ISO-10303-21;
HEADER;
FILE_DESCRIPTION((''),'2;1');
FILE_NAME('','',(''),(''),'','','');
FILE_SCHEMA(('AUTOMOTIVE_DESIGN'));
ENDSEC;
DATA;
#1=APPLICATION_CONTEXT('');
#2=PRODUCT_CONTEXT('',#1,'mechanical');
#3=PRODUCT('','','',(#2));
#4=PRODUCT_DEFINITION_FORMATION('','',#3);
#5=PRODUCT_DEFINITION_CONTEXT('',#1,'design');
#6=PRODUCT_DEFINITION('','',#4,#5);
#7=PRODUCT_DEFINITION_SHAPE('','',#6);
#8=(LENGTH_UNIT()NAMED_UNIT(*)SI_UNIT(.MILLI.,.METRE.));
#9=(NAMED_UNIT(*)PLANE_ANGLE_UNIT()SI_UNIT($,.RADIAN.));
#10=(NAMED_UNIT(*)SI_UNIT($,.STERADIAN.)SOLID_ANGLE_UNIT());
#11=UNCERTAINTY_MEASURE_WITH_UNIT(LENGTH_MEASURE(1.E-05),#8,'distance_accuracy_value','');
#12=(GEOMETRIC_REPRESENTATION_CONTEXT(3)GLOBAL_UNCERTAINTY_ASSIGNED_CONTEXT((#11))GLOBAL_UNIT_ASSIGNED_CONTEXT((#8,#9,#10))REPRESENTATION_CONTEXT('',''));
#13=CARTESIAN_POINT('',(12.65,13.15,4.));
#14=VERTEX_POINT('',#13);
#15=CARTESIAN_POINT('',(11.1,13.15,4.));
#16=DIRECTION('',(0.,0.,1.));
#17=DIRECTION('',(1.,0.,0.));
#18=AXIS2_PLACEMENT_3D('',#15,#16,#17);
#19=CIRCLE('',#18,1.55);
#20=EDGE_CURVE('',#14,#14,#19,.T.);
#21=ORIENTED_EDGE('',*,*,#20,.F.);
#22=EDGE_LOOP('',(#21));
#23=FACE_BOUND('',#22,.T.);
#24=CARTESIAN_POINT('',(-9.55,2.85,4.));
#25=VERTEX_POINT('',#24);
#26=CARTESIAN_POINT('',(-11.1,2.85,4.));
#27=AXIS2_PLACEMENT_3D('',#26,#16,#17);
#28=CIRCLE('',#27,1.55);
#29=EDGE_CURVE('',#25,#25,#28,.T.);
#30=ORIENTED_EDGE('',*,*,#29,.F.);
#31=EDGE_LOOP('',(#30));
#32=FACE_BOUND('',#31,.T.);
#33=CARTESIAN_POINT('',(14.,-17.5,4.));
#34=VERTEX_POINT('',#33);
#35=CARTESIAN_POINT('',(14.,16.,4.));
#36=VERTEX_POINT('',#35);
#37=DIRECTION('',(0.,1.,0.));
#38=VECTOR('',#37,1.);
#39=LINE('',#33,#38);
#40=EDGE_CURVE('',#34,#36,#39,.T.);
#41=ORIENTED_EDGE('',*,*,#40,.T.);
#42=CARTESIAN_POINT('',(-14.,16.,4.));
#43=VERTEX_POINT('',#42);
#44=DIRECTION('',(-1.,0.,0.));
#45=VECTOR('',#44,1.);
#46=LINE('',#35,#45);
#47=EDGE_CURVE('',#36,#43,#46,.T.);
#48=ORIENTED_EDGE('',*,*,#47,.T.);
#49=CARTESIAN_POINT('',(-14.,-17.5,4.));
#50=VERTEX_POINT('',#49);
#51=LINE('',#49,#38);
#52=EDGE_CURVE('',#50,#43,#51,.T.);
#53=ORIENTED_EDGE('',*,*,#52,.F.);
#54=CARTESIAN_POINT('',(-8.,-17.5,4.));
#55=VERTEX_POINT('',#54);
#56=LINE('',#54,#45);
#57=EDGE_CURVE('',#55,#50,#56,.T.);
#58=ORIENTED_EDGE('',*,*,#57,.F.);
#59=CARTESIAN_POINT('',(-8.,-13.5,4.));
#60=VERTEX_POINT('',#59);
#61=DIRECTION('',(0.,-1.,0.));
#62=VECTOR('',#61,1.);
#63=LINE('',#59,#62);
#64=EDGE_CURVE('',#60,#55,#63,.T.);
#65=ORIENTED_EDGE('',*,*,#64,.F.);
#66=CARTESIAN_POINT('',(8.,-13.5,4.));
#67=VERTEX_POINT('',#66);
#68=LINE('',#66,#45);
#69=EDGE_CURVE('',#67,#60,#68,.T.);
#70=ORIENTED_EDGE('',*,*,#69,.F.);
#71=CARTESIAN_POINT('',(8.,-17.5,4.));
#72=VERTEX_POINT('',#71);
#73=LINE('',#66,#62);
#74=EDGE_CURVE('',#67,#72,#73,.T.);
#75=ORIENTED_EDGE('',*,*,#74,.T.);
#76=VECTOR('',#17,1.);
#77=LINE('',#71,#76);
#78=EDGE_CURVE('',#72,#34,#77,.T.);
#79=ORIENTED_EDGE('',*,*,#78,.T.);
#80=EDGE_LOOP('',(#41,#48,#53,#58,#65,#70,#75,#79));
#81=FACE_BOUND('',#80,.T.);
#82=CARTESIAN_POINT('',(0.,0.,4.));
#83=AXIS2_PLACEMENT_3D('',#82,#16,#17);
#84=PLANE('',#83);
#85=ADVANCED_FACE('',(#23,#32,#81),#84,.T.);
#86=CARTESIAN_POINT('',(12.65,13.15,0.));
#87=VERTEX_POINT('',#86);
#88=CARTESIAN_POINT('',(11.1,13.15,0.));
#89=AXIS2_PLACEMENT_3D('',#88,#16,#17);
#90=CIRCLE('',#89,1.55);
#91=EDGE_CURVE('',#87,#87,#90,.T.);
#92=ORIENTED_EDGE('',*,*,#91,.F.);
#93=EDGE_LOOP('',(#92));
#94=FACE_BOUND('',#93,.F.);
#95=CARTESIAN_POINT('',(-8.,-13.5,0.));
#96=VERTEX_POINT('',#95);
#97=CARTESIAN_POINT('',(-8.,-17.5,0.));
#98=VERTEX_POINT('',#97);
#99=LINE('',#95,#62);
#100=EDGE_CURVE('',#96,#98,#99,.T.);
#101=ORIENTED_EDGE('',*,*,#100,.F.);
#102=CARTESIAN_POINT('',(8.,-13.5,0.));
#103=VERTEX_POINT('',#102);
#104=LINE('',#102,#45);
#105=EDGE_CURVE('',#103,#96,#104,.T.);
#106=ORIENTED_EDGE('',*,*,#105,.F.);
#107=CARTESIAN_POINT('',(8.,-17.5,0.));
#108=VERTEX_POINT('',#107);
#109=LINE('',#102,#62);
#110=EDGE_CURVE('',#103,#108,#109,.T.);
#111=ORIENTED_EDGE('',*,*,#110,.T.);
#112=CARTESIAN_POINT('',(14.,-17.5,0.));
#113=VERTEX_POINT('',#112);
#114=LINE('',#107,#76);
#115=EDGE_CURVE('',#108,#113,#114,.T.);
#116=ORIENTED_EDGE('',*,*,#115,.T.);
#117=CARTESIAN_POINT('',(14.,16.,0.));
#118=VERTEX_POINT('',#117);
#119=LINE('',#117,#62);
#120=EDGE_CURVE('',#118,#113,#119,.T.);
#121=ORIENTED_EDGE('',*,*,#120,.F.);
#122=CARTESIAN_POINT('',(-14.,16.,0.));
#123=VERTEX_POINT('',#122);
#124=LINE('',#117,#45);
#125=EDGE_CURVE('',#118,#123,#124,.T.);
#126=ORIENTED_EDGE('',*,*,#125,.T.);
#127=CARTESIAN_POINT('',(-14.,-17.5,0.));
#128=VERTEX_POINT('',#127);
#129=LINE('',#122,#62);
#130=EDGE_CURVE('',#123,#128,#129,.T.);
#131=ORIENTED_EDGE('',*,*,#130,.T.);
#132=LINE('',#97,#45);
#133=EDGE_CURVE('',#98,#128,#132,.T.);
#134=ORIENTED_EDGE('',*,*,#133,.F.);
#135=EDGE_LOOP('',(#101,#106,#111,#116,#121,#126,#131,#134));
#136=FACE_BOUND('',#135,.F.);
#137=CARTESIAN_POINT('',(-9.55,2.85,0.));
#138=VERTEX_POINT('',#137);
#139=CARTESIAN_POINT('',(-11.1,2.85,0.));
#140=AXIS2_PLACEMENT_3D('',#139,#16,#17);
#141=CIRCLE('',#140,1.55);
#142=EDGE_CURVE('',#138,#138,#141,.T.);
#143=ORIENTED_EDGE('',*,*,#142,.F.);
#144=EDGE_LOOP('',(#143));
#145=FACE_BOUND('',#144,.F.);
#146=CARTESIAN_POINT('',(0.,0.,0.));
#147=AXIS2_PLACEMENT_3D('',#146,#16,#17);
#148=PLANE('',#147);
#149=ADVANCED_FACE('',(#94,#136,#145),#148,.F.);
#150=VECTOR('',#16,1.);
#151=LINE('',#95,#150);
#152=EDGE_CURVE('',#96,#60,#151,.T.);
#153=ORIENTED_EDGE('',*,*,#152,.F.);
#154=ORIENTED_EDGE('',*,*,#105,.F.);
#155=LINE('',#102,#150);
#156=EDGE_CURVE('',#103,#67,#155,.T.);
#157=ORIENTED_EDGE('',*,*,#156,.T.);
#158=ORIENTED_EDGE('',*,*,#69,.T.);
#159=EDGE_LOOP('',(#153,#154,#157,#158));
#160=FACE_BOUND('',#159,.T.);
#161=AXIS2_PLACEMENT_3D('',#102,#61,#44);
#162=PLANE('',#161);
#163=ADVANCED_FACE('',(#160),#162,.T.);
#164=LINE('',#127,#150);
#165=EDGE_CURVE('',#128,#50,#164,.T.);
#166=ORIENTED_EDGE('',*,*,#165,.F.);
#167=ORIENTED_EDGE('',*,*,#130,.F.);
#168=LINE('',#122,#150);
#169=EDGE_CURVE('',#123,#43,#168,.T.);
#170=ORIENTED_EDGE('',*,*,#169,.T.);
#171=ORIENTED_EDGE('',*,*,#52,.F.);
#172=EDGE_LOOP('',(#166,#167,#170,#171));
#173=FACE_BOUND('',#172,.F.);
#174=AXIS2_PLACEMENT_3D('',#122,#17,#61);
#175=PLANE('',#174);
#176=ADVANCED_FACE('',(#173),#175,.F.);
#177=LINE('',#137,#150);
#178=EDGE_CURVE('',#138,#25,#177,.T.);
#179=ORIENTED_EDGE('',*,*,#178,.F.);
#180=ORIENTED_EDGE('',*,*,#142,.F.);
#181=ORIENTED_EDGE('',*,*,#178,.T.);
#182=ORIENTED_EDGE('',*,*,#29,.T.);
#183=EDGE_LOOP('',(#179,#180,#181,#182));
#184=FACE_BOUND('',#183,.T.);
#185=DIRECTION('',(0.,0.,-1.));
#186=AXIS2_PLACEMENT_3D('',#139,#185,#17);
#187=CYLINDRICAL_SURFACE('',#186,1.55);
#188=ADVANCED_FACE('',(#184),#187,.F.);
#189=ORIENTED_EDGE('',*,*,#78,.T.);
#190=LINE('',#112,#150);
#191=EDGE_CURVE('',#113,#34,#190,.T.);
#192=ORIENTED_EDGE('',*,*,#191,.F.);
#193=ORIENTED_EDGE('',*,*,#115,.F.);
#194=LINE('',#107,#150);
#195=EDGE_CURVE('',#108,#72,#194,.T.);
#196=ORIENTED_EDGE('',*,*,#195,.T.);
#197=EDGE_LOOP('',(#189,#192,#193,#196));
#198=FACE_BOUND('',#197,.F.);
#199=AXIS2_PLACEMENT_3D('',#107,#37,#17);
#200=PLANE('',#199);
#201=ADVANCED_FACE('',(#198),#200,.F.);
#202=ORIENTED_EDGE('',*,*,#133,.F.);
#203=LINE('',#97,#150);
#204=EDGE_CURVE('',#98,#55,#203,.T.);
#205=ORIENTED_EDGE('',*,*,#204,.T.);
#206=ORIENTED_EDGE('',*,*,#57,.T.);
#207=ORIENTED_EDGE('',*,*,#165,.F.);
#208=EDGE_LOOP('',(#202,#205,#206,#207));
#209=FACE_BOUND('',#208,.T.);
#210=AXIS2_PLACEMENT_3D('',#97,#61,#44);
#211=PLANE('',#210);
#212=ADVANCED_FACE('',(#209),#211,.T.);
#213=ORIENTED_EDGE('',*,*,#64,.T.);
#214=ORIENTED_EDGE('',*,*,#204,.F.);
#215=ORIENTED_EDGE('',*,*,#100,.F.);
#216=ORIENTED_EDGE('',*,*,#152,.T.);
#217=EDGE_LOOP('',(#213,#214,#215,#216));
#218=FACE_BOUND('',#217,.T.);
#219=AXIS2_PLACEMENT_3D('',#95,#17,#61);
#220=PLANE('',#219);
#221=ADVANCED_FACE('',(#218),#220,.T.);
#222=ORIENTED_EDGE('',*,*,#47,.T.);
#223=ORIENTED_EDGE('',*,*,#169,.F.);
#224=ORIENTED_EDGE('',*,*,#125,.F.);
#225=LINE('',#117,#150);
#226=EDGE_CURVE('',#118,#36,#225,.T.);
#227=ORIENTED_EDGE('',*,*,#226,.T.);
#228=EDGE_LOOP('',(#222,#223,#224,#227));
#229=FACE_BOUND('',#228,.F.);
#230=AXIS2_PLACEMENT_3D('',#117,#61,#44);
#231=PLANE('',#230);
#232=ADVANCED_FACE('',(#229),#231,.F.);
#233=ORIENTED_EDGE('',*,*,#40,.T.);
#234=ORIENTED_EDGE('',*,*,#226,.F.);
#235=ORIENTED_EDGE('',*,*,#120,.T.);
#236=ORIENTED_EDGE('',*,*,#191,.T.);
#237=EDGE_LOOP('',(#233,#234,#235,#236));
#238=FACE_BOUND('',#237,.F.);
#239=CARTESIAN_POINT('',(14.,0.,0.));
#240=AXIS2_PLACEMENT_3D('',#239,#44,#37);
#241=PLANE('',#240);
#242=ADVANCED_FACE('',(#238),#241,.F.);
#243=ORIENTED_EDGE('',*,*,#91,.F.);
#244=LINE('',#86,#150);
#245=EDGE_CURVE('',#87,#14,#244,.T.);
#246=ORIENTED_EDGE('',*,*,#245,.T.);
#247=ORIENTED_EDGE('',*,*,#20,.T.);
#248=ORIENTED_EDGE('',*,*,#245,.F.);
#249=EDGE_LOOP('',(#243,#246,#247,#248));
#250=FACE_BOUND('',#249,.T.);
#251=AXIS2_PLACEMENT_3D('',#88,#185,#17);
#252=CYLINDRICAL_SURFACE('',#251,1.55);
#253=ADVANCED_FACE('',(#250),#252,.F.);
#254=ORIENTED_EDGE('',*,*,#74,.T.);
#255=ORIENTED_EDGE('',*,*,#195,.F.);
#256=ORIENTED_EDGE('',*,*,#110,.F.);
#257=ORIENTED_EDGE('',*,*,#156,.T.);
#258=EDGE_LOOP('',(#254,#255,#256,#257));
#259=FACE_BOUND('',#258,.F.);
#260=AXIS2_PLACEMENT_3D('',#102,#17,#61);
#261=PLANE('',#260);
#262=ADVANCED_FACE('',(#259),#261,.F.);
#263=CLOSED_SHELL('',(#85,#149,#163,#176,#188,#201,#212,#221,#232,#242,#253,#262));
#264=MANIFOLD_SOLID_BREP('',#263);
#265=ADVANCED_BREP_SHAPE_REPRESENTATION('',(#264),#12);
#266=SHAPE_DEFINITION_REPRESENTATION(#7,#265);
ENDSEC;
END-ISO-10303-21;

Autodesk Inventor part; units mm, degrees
ref_plane "YZ Plane" through (0, 0, 0) normal (1, 0, 0) x (0, 1, 0)
ref_plane "XZ Plane" through (0, 0, 0) normal (0, 1, 0) x (-1, 0, 0)
ref_plane "XY Plane" through (0, 0, 0) normal (0, 0, 1) x (1, 0, 0)
sketch "Sketch1" plane through (0, 0, 0) normal (0, 0, 1) x (1, 0, 0)
  line L0 (-14, 0) -> (14, 0)
  line L1 (14, 0) -> (14, 16)
  line L2 (14, 16) -> (-14, 16)
  line L3 (-14, 16) -> (-14, 0)
  circle A0 centre (-11.1, 2.85) radius 1.55
  circle A1 centre (11.1, 13.15) radius 1.55
  line L4 (-11.1, 2.85) -> (-14, 2.85) construction
  line L5 (11.1, 13.15) -> (14, 13.15) construction
  line L6 (11.1, 13.15) -> (11.1, 16) construction
  line L7 (-11.1, 2.85) -> (-11.1, 0) construction
  line L8 (-14, 0) -> (14, 0) construction
  line L9 (14, 0) -> (14, -13.5)
  line L10 (14, -13.5) -> (8, -13.5) construction
  line L11 (-14, -13.5) -> (-14, 0)
  line L12 (-14, -13.5) -> (-8, -13.5) construction
  line L13 (-8, -13.5) -> (-8, -17.5)
  line L14 (-8, -17.5) -> (-14, -17.5)
  line L15 (-14, -17.5) -> (-14, -13.5)
  line L16 (14, -13.5) -> (8, -13.5) construction
  line L17 (8, -13.5) -> (8, -17.5)
  line L18 (8, -17.5) -> (14, -17.5)
  line L19 (14, -17.5) -> (14, -13.5)
  line L20 (-8, -13.5) -> (-14, -13.5) construction
  line L21 (8, -13.5) -> (-8, -13.5)
  point P0 (0, 0)
  point P1 (0, 0)
  point P2 (14, 0)
  point P3 (14, 0)
  dimension "d0" = 3.1
  dimension "d1" = 22.2
  dimension "d2" = 10.3
  dimension "d3" = 16
  dimension "d4" = 28
  dimension "d5" = 29.5
  dimension "d8" = 6
  dimension "d9" = 6
  dimension "d10" = 4
extrude "Extrusion1" add sketch "Sketch1" along normal blind 4
properties part number "SwitchHolder_Bottom_V3" material "Wood (Oak)"
